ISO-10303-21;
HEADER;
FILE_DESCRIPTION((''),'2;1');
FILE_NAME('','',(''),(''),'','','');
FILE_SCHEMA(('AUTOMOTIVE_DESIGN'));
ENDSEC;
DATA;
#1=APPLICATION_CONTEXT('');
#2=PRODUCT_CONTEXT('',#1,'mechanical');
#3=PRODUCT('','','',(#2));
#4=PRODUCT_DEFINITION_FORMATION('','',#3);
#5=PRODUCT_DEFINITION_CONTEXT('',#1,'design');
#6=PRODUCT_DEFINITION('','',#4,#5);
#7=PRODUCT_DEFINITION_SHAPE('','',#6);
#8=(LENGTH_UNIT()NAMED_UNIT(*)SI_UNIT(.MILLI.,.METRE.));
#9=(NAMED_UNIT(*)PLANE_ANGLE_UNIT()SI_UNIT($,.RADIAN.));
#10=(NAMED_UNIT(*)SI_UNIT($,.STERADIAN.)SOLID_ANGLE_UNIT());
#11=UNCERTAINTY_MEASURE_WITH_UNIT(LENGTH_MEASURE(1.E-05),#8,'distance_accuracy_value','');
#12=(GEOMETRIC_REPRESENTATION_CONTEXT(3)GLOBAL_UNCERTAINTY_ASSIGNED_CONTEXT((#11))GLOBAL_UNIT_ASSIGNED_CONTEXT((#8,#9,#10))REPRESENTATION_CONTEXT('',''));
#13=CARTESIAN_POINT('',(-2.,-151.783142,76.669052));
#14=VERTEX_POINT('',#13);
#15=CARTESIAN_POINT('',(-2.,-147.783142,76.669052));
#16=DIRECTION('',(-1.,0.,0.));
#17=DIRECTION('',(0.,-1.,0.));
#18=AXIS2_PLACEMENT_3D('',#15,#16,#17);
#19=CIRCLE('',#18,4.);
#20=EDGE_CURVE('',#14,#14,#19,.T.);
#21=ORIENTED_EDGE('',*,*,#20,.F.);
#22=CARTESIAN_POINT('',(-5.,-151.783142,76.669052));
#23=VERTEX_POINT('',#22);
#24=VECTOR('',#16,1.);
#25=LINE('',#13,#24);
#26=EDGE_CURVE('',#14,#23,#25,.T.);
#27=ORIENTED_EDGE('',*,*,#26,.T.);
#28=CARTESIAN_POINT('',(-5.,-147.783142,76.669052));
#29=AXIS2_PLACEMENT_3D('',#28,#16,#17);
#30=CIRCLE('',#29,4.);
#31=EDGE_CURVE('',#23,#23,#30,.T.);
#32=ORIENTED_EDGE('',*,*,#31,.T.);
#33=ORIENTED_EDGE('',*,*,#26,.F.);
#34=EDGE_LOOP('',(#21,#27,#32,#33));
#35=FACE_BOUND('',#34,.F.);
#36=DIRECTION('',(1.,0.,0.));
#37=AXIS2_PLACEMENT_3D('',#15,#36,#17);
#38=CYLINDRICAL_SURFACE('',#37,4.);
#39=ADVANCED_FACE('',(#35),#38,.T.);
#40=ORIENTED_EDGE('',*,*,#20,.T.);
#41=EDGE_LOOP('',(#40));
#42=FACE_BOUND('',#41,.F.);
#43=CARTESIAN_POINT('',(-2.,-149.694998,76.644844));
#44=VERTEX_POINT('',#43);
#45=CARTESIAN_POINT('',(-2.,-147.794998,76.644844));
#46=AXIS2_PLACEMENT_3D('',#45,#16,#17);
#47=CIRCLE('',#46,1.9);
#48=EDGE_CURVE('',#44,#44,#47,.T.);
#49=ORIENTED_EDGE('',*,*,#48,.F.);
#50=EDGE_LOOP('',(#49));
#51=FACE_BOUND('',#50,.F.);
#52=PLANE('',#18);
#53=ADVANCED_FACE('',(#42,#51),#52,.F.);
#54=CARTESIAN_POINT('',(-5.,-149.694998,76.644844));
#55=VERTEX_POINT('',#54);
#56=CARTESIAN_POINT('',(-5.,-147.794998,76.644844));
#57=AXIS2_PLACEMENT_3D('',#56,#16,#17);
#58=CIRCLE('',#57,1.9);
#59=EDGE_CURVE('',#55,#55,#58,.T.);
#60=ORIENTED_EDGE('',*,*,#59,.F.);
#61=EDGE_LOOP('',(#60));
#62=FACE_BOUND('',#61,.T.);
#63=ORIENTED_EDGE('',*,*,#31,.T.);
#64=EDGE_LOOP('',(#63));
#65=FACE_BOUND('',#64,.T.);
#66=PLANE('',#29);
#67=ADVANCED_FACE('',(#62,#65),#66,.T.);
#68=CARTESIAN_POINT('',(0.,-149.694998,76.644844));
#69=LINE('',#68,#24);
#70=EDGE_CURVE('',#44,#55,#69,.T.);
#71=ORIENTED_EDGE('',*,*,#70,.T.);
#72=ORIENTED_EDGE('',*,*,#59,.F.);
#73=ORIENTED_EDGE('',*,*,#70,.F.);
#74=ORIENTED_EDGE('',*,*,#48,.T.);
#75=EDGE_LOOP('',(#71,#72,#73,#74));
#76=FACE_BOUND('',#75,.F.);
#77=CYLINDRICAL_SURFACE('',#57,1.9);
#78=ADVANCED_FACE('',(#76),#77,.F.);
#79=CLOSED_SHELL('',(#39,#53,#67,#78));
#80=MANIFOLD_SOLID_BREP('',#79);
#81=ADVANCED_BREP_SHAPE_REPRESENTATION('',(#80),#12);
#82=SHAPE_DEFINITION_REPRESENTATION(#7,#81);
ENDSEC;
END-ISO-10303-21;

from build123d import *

# Parameters (mm, degrees)
SKETCH044_R      = 1.9
EXTRUDE045_DEPTH = 5
SKETCH037_R      = 1.85
EXTRUDE041_DEPTH = 15
SKETCH039_R      = 4
EXTRUDE037_DEPTH = 3


with BuildPart() as extrude045:
    # Sketch044 (on Face3 of Cut012) → Extrude045 (new body, symmetric)
    with BuildSketch(Plane(origin=(-5, 0, 0), x_dir=(0, -1, 0), z_dir=(-1, 0, 0))):
        with Locations((147.794998, 76.644844)):
            Circle(SKETCH044_R)
    extrude(amount=EXTRUDE045_DEPTH, both=True)


with BuildPart() as cilinder_gear001:
    # Sketch037 (on Face9 of Fusion016) → Extrude041 (new body)
    with BuildSketch(Plane(origin=(-1.5, 0, 0), x_dir=(0, -1, 0), z_dir=(-1, 0, 0))):
        with Locations((54.826782, 76.655029)):
            Circle(SKETCH037_R)
    extrude(amount=EXTRUDE041_DEPTH)


with BuildPart() as cilinder_gear001_1:
    # Extrude041 placement: moved
    add(cilinder_gear001.part.moved(Location((12.3, -93, 0))))


with BuildPart() as gear_stopper:
    # Sketch039 → Extrude037 (new body)
    with BuildSketch(Plane(origin=(-2, -93, 0), x_dir=(0, -1, 0), z_dir=(-1, 0, 0))):
        with Locations((54.783142, 76.669052)):
            Circle(SKETCH039_R)
    extrude(amount=EXTRUDE037_DEPTH)

    # Cut012: cut Cilinder Gear001
    add(cilinder_gear001_1.part, mode=Mode.SUBTRACT)

    # Cut014: cut Extrude045
    add(extrude045.part, mode=Mode.SUBTRACT)


solid = gear_stopper.part
